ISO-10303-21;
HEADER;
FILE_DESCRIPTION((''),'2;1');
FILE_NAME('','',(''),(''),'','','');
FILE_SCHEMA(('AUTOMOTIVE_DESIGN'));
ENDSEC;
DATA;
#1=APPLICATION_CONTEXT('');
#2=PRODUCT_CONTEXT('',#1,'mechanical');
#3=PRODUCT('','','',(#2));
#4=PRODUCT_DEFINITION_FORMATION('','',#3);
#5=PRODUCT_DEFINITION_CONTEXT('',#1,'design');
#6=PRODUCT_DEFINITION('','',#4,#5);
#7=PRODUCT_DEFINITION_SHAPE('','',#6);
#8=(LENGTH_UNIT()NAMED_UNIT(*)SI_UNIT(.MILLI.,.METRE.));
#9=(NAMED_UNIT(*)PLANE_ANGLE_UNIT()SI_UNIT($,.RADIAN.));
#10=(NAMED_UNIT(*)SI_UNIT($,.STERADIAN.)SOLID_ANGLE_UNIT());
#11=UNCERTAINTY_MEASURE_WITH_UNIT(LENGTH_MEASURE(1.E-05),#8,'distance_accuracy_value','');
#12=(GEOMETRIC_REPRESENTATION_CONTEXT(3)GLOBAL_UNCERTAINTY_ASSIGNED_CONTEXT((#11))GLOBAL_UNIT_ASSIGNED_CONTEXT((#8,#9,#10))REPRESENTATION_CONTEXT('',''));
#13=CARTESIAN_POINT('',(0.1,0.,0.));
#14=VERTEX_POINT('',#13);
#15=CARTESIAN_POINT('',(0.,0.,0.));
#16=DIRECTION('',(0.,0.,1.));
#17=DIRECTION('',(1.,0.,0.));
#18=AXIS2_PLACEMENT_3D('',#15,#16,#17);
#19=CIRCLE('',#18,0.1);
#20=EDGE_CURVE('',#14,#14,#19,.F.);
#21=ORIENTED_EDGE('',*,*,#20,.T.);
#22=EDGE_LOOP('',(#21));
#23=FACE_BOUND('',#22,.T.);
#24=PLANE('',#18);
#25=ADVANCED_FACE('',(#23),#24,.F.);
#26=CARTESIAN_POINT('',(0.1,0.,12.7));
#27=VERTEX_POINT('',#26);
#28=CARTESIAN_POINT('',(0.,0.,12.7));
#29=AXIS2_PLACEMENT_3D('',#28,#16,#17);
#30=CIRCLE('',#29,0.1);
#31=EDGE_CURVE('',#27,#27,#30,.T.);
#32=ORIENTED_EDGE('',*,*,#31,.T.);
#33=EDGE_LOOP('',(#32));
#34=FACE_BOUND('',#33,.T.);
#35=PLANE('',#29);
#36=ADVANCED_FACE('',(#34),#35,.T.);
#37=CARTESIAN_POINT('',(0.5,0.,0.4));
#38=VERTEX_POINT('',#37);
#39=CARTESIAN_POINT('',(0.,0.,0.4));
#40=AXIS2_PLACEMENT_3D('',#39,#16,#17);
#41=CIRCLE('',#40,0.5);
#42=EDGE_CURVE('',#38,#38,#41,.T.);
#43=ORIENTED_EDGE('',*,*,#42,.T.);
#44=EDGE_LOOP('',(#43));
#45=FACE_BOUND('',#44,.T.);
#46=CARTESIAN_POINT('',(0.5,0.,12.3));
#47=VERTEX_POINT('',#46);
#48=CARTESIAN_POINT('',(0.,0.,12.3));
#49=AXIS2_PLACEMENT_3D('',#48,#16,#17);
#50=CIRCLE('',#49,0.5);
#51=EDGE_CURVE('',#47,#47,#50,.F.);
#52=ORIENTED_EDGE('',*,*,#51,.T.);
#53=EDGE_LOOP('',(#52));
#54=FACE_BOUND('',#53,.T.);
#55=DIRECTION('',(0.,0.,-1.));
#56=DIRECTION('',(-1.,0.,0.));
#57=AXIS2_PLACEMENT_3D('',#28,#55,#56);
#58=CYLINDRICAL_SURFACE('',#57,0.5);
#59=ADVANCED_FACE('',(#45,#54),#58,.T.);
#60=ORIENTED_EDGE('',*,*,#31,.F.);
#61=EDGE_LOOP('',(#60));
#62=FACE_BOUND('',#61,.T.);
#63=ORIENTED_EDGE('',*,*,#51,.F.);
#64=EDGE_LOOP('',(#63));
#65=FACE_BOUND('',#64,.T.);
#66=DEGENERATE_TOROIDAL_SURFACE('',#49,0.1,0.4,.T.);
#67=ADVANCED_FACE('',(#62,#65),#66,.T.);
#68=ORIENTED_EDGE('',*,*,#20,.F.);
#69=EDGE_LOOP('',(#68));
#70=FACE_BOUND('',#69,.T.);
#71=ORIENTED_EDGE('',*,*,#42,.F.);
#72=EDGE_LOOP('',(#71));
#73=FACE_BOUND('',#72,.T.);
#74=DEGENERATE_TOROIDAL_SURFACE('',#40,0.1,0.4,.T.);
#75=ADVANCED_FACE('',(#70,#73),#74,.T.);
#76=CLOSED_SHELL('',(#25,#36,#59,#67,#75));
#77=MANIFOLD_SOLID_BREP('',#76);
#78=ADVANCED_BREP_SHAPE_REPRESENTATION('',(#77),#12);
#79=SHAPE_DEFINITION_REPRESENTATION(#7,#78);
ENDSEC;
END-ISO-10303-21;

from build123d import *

# Parameters (mm, degrees)
CROQUIS1_R              = 0.5
SALIENTE_EXTRUIR1_DEPTH = 12.7
REDONDEO6_R             = 0.4


with BuildPart() as part:
    # Croquis1 → Saliente-Extruir1 (new body)
    with BuildSketch(Plane.XY):
        Circle(CROQUIS1_R)
    extrude(amount=SALIENTE_EXTRUIR1_DEPTH)

    # Redondeo6
    redondeo6_edges = [part.edges().sort_by_distance(p)[0] for p in [
        (-0.5, 0, 0),
        (-0.5, 0, 12.7),
    ]]
    fillet(redondeo6_edges, radius=REDONDEO6_R)


solid = part.part
